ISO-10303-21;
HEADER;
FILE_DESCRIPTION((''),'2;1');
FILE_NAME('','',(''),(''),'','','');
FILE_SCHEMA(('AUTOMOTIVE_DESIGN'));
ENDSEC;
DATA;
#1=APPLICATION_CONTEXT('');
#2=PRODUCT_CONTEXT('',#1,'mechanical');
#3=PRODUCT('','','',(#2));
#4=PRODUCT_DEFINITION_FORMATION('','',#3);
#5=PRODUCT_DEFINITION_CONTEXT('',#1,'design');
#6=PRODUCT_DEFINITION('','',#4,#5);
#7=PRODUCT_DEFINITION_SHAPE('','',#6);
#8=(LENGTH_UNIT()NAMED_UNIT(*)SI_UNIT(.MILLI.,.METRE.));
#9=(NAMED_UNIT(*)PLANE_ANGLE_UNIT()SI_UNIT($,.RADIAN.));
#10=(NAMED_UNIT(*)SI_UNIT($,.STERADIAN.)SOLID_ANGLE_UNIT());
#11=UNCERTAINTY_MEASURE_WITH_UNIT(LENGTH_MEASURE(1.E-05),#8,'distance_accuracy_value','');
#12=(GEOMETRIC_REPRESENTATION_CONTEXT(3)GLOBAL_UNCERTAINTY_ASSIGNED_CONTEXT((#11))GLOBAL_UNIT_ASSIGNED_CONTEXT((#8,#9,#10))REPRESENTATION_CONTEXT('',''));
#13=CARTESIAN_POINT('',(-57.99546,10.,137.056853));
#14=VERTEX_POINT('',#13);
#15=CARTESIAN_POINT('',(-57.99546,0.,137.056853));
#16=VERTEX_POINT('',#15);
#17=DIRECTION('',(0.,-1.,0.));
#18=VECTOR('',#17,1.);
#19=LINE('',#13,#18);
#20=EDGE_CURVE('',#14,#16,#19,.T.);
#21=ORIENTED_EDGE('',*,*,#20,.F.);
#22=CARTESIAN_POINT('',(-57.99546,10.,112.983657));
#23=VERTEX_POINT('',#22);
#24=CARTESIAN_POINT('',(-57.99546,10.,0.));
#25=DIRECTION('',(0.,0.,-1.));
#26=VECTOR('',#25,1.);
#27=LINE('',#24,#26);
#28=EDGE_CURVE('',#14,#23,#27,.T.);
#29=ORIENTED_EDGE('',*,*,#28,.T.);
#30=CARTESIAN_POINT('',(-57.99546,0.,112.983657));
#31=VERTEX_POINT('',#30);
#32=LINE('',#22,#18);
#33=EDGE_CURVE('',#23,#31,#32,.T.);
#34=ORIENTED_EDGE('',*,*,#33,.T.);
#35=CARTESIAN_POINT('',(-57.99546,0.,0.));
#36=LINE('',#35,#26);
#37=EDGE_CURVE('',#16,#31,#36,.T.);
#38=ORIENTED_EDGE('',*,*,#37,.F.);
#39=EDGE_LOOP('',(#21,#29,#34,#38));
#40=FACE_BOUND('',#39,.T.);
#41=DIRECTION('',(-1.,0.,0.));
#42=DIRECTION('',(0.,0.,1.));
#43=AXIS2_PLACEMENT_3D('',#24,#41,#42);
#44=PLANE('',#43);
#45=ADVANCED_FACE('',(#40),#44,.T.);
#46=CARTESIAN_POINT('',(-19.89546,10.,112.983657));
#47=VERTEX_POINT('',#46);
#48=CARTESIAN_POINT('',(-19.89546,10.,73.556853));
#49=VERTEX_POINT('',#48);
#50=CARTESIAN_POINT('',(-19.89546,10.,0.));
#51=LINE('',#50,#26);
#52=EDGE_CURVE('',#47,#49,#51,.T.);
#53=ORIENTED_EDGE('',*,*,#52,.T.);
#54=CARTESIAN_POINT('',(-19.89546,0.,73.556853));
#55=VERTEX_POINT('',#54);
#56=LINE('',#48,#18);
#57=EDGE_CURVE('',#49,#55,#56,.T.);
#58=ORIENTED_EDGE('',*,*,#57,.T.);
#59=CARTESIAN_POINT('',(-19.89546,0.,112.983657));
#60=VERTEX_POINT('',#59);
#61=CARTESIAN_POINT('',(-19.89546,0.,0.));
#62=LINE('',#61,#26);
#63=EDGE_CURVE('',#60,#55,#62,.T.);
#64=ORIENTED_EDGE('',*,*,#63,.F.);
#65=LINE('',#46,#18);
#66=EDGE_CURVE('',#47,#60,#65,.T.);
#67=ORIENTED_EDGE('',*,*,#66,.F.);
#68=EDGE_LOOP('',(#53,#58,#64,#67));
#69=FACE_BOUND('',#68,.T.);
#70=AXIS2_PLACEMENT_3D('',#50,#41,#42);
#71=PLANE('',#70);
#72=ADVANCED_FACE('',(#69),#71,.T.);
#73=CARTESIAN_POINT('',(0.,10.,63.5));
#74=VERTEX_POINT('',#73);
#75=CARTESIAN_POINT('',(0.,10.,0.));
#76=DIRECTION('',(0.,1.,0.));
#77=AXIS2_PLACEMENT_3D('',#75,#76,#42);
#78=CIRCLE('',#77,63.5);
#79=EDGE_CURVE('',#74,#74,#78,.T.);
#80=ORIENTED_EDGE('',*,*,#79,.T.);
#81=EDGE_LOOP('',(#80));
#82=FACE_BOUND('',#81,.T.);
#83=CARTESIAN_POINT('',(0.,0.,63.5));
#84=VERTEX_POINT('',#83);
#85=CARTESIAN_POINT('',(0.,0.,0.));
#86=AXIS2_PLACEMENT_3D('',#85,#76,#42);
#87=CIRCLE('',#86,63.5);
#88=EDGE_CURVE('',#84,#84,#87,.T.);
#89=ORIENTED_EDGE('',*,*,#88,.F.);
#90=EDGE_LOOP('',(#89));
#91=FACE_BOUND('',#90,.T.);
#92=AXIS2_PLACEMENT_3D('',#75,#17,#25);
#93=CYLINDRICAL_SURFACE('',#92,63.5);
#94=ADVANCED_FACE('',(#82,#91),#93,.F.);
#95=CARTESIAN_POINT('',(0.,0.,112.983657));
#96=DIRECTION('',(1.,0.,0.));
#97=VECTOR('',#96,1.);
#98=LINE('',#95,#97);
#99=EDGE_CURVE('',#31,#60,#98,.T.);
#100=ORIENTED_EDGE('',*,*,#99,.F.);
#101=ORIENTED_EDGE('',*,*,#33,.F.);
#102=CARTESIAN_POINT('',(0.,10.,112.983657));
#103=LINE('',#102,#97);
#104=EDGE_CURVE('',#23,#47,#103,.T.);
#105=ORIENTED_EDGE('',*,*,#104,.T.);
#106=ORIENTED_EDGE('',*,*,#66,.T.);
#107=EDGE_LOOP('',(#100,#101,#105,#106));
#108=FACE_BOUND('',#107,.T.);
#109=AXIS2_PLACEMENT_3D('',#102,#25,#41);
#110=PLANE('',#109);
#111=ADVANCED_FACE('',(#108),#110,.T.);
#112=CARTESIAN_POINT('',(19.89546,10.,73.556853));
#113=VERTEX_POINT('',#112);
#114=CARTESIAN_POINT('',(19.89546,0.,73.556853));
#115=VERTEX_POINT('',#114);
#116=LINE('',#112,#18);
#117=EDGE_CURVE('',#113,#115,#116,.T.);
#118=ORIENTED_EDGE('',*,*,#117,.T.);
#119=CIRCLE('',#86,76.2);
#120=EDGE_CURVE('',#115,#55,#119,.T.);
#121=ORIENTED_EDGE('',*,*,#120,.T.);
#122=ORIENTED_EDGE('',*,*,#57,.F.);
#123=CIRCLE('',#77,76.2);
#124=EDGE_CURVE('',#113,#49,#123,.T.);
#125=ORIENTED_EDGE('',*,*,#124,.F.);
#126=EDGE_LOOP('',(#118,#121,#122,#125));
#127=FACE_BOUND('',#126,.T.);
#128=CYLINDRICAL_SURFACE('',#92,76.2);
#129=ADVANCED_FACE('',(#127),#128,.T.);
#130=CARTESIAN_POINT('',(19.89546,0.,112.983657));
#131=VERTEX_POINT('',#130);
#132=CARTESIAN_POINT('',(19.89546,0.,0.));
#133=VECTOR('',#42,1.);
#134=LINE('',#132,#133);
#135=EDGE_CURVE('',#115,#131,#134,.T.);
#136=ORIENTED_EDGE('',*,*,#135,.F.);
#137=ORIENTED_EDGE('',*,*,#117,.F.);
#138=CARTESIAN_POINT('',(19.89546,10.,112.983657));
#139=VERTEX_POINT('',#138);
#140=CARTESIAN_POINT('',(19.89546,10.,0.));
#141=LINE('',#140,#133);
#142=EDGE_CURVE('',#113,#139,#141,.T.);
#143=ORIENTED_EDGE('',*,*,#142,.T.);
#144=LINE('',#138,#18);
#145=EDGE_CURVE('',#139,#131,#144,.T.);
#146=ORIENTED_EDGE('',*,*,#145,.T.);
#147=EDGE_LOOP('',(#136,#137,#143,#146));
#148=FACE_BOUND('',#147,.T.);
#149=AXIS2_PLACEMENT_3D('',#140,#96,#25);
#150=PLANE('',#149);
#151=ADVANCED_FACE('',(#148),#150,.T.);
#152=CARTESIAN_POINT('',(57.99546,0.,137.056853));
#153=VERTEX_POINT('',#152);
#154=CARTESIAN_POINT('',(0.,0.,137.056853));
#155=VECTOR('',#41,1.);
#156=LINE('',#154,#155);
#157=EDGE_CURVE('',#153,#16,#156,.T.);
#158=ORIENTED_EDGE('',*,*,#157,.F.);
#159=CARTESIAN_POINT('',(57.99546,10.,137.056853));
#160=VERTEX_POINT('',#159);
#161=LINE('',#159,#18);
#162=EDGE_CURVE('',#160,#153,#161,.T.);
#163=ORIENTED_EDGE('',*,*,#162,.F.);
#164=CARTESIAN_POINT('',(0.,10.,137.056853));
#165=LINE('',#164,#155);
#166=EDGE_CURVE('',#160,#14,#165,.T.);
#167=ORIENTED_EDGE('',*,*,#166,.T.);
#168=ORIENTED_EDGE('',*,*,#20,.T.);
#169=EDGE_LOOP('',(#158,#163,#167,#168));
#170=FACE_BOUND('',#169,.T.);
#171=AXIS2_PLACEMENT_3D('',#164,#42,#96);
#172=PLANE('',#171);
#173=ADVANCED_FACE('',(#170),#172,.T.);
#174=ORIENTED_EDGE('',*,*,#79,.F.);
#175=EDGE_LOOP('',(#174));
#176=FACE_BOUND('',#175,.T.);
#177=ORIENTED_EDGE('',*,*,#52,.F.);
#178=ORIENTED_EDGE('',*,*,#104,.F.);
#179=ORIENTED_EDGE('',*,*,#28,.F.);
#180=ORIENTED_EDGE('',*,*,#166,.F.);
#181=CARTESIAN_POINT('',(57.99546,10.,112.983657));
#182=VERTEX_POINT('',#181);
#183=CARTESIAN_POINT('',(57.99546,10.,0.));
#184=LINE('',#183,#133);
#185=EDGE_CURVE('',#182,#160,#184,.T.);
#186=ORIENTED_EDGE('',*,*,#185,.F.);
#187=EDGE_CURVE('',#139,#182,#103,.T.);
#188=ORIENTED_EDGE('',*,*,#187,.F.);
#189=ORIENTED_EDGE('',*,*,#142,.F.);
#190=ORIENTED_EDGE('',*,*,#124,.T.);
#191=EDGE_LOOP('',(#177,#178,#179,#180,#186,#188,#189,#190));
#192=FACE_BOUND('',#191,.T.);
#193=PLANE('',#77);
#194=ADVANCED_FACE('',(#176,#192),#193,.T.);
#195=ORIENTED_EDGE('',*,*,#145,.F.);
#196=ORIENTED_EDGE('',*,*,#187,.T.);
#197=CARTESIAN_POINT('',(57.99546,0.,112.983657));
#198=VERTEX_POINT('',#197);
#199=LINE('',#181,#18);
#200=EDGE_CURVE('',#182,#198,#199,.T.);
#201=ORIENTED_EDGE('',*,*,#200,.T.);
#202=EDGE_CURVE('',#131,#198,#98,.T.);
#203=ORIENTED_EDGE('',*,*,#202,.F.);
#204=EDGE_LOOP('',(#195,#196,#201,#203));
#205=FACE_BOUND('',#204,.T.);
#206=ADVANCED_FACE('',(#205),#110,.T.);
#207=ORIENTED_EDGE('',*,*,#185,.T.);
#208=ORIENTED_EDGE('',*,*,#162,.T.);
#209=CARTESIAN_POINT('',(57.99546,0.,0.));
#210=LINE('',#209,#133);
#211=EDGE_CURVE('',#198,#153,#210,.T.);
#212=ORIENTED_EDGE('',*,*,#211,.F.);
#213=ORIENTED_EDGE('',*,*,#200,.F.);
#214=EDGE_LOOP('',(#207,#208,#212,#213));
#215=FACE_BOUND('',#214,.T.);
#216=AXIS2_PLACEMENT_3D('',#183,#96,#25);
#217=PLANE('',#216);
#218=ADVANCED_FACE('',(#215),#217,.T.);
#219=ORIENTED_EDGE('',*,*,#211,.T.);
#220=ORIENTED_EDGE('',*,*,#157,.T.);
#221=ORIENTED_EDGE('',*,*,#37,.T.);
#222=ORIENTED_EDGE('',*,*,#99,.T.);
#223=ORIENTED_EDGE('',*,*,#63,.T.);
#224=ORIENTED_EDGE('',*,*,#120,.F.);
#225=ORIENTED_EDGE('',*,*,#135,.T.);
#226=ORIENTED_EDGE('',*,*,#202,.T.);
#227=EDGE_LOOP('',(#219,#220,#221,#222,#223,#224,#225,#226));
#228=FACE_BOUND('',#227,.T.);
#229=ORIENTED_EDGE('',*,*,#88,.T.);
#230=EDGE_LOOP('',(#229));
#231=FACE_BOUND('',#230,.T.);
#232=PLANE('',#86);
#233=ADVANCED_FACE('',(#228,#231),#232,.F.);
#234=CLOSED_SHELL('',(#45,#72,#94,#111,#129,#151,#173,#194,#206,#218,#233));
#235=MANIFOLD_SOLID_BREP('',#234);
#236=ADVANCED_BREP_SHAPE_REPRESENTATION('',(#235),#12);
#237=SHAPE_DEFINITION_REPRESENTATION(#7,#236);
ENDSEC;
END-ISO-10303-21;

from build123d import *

# Parameters (mm, degrees)
SKETCH1_R           = 63.5
BOSS_EXTRUDE1_DEPTH = 10


with BuildPart() as part:
    # Sketch1 → Boss-Extrude1 (new body)
    with BuildSketch(Plane(origin=(0, 0, 0), x_dir=(1, 0, 0), z_dir=(0, 1, 0))):
        with BuildLine():
            ThreePointArc((19.89546001, -73.556853324), (0, 76.2), (-19.89546001, -73.556853324))
            Line((-19.89546001, -73.556853324), (-19.89546001, -112.983657034))
            Line((-19.89546001, -112.983657034), (-57.99546001, -112.983657034))
            Line((-57.99546001, -112.983657034), (-57.99546001, -137.056853324))
            Line((-57.99546001, -137.056853324), (57.99546001, -137.056853324))
            Line((57.99546001, -137.056853324), (57.99546001, -112.983657034))
            Line((57.99546001, -112.983657034), (19.89546001, -112.983657034))
            Line((19.89546001, -112.983657034), (19.89546001, -73.556853324))
        make_face()
        Circle(SKETCH1_R, mode=Mode.SUBTRACT)
    extrude(amount=BOSS_EXTRUDE1_DEPTH)


solid = part.part
